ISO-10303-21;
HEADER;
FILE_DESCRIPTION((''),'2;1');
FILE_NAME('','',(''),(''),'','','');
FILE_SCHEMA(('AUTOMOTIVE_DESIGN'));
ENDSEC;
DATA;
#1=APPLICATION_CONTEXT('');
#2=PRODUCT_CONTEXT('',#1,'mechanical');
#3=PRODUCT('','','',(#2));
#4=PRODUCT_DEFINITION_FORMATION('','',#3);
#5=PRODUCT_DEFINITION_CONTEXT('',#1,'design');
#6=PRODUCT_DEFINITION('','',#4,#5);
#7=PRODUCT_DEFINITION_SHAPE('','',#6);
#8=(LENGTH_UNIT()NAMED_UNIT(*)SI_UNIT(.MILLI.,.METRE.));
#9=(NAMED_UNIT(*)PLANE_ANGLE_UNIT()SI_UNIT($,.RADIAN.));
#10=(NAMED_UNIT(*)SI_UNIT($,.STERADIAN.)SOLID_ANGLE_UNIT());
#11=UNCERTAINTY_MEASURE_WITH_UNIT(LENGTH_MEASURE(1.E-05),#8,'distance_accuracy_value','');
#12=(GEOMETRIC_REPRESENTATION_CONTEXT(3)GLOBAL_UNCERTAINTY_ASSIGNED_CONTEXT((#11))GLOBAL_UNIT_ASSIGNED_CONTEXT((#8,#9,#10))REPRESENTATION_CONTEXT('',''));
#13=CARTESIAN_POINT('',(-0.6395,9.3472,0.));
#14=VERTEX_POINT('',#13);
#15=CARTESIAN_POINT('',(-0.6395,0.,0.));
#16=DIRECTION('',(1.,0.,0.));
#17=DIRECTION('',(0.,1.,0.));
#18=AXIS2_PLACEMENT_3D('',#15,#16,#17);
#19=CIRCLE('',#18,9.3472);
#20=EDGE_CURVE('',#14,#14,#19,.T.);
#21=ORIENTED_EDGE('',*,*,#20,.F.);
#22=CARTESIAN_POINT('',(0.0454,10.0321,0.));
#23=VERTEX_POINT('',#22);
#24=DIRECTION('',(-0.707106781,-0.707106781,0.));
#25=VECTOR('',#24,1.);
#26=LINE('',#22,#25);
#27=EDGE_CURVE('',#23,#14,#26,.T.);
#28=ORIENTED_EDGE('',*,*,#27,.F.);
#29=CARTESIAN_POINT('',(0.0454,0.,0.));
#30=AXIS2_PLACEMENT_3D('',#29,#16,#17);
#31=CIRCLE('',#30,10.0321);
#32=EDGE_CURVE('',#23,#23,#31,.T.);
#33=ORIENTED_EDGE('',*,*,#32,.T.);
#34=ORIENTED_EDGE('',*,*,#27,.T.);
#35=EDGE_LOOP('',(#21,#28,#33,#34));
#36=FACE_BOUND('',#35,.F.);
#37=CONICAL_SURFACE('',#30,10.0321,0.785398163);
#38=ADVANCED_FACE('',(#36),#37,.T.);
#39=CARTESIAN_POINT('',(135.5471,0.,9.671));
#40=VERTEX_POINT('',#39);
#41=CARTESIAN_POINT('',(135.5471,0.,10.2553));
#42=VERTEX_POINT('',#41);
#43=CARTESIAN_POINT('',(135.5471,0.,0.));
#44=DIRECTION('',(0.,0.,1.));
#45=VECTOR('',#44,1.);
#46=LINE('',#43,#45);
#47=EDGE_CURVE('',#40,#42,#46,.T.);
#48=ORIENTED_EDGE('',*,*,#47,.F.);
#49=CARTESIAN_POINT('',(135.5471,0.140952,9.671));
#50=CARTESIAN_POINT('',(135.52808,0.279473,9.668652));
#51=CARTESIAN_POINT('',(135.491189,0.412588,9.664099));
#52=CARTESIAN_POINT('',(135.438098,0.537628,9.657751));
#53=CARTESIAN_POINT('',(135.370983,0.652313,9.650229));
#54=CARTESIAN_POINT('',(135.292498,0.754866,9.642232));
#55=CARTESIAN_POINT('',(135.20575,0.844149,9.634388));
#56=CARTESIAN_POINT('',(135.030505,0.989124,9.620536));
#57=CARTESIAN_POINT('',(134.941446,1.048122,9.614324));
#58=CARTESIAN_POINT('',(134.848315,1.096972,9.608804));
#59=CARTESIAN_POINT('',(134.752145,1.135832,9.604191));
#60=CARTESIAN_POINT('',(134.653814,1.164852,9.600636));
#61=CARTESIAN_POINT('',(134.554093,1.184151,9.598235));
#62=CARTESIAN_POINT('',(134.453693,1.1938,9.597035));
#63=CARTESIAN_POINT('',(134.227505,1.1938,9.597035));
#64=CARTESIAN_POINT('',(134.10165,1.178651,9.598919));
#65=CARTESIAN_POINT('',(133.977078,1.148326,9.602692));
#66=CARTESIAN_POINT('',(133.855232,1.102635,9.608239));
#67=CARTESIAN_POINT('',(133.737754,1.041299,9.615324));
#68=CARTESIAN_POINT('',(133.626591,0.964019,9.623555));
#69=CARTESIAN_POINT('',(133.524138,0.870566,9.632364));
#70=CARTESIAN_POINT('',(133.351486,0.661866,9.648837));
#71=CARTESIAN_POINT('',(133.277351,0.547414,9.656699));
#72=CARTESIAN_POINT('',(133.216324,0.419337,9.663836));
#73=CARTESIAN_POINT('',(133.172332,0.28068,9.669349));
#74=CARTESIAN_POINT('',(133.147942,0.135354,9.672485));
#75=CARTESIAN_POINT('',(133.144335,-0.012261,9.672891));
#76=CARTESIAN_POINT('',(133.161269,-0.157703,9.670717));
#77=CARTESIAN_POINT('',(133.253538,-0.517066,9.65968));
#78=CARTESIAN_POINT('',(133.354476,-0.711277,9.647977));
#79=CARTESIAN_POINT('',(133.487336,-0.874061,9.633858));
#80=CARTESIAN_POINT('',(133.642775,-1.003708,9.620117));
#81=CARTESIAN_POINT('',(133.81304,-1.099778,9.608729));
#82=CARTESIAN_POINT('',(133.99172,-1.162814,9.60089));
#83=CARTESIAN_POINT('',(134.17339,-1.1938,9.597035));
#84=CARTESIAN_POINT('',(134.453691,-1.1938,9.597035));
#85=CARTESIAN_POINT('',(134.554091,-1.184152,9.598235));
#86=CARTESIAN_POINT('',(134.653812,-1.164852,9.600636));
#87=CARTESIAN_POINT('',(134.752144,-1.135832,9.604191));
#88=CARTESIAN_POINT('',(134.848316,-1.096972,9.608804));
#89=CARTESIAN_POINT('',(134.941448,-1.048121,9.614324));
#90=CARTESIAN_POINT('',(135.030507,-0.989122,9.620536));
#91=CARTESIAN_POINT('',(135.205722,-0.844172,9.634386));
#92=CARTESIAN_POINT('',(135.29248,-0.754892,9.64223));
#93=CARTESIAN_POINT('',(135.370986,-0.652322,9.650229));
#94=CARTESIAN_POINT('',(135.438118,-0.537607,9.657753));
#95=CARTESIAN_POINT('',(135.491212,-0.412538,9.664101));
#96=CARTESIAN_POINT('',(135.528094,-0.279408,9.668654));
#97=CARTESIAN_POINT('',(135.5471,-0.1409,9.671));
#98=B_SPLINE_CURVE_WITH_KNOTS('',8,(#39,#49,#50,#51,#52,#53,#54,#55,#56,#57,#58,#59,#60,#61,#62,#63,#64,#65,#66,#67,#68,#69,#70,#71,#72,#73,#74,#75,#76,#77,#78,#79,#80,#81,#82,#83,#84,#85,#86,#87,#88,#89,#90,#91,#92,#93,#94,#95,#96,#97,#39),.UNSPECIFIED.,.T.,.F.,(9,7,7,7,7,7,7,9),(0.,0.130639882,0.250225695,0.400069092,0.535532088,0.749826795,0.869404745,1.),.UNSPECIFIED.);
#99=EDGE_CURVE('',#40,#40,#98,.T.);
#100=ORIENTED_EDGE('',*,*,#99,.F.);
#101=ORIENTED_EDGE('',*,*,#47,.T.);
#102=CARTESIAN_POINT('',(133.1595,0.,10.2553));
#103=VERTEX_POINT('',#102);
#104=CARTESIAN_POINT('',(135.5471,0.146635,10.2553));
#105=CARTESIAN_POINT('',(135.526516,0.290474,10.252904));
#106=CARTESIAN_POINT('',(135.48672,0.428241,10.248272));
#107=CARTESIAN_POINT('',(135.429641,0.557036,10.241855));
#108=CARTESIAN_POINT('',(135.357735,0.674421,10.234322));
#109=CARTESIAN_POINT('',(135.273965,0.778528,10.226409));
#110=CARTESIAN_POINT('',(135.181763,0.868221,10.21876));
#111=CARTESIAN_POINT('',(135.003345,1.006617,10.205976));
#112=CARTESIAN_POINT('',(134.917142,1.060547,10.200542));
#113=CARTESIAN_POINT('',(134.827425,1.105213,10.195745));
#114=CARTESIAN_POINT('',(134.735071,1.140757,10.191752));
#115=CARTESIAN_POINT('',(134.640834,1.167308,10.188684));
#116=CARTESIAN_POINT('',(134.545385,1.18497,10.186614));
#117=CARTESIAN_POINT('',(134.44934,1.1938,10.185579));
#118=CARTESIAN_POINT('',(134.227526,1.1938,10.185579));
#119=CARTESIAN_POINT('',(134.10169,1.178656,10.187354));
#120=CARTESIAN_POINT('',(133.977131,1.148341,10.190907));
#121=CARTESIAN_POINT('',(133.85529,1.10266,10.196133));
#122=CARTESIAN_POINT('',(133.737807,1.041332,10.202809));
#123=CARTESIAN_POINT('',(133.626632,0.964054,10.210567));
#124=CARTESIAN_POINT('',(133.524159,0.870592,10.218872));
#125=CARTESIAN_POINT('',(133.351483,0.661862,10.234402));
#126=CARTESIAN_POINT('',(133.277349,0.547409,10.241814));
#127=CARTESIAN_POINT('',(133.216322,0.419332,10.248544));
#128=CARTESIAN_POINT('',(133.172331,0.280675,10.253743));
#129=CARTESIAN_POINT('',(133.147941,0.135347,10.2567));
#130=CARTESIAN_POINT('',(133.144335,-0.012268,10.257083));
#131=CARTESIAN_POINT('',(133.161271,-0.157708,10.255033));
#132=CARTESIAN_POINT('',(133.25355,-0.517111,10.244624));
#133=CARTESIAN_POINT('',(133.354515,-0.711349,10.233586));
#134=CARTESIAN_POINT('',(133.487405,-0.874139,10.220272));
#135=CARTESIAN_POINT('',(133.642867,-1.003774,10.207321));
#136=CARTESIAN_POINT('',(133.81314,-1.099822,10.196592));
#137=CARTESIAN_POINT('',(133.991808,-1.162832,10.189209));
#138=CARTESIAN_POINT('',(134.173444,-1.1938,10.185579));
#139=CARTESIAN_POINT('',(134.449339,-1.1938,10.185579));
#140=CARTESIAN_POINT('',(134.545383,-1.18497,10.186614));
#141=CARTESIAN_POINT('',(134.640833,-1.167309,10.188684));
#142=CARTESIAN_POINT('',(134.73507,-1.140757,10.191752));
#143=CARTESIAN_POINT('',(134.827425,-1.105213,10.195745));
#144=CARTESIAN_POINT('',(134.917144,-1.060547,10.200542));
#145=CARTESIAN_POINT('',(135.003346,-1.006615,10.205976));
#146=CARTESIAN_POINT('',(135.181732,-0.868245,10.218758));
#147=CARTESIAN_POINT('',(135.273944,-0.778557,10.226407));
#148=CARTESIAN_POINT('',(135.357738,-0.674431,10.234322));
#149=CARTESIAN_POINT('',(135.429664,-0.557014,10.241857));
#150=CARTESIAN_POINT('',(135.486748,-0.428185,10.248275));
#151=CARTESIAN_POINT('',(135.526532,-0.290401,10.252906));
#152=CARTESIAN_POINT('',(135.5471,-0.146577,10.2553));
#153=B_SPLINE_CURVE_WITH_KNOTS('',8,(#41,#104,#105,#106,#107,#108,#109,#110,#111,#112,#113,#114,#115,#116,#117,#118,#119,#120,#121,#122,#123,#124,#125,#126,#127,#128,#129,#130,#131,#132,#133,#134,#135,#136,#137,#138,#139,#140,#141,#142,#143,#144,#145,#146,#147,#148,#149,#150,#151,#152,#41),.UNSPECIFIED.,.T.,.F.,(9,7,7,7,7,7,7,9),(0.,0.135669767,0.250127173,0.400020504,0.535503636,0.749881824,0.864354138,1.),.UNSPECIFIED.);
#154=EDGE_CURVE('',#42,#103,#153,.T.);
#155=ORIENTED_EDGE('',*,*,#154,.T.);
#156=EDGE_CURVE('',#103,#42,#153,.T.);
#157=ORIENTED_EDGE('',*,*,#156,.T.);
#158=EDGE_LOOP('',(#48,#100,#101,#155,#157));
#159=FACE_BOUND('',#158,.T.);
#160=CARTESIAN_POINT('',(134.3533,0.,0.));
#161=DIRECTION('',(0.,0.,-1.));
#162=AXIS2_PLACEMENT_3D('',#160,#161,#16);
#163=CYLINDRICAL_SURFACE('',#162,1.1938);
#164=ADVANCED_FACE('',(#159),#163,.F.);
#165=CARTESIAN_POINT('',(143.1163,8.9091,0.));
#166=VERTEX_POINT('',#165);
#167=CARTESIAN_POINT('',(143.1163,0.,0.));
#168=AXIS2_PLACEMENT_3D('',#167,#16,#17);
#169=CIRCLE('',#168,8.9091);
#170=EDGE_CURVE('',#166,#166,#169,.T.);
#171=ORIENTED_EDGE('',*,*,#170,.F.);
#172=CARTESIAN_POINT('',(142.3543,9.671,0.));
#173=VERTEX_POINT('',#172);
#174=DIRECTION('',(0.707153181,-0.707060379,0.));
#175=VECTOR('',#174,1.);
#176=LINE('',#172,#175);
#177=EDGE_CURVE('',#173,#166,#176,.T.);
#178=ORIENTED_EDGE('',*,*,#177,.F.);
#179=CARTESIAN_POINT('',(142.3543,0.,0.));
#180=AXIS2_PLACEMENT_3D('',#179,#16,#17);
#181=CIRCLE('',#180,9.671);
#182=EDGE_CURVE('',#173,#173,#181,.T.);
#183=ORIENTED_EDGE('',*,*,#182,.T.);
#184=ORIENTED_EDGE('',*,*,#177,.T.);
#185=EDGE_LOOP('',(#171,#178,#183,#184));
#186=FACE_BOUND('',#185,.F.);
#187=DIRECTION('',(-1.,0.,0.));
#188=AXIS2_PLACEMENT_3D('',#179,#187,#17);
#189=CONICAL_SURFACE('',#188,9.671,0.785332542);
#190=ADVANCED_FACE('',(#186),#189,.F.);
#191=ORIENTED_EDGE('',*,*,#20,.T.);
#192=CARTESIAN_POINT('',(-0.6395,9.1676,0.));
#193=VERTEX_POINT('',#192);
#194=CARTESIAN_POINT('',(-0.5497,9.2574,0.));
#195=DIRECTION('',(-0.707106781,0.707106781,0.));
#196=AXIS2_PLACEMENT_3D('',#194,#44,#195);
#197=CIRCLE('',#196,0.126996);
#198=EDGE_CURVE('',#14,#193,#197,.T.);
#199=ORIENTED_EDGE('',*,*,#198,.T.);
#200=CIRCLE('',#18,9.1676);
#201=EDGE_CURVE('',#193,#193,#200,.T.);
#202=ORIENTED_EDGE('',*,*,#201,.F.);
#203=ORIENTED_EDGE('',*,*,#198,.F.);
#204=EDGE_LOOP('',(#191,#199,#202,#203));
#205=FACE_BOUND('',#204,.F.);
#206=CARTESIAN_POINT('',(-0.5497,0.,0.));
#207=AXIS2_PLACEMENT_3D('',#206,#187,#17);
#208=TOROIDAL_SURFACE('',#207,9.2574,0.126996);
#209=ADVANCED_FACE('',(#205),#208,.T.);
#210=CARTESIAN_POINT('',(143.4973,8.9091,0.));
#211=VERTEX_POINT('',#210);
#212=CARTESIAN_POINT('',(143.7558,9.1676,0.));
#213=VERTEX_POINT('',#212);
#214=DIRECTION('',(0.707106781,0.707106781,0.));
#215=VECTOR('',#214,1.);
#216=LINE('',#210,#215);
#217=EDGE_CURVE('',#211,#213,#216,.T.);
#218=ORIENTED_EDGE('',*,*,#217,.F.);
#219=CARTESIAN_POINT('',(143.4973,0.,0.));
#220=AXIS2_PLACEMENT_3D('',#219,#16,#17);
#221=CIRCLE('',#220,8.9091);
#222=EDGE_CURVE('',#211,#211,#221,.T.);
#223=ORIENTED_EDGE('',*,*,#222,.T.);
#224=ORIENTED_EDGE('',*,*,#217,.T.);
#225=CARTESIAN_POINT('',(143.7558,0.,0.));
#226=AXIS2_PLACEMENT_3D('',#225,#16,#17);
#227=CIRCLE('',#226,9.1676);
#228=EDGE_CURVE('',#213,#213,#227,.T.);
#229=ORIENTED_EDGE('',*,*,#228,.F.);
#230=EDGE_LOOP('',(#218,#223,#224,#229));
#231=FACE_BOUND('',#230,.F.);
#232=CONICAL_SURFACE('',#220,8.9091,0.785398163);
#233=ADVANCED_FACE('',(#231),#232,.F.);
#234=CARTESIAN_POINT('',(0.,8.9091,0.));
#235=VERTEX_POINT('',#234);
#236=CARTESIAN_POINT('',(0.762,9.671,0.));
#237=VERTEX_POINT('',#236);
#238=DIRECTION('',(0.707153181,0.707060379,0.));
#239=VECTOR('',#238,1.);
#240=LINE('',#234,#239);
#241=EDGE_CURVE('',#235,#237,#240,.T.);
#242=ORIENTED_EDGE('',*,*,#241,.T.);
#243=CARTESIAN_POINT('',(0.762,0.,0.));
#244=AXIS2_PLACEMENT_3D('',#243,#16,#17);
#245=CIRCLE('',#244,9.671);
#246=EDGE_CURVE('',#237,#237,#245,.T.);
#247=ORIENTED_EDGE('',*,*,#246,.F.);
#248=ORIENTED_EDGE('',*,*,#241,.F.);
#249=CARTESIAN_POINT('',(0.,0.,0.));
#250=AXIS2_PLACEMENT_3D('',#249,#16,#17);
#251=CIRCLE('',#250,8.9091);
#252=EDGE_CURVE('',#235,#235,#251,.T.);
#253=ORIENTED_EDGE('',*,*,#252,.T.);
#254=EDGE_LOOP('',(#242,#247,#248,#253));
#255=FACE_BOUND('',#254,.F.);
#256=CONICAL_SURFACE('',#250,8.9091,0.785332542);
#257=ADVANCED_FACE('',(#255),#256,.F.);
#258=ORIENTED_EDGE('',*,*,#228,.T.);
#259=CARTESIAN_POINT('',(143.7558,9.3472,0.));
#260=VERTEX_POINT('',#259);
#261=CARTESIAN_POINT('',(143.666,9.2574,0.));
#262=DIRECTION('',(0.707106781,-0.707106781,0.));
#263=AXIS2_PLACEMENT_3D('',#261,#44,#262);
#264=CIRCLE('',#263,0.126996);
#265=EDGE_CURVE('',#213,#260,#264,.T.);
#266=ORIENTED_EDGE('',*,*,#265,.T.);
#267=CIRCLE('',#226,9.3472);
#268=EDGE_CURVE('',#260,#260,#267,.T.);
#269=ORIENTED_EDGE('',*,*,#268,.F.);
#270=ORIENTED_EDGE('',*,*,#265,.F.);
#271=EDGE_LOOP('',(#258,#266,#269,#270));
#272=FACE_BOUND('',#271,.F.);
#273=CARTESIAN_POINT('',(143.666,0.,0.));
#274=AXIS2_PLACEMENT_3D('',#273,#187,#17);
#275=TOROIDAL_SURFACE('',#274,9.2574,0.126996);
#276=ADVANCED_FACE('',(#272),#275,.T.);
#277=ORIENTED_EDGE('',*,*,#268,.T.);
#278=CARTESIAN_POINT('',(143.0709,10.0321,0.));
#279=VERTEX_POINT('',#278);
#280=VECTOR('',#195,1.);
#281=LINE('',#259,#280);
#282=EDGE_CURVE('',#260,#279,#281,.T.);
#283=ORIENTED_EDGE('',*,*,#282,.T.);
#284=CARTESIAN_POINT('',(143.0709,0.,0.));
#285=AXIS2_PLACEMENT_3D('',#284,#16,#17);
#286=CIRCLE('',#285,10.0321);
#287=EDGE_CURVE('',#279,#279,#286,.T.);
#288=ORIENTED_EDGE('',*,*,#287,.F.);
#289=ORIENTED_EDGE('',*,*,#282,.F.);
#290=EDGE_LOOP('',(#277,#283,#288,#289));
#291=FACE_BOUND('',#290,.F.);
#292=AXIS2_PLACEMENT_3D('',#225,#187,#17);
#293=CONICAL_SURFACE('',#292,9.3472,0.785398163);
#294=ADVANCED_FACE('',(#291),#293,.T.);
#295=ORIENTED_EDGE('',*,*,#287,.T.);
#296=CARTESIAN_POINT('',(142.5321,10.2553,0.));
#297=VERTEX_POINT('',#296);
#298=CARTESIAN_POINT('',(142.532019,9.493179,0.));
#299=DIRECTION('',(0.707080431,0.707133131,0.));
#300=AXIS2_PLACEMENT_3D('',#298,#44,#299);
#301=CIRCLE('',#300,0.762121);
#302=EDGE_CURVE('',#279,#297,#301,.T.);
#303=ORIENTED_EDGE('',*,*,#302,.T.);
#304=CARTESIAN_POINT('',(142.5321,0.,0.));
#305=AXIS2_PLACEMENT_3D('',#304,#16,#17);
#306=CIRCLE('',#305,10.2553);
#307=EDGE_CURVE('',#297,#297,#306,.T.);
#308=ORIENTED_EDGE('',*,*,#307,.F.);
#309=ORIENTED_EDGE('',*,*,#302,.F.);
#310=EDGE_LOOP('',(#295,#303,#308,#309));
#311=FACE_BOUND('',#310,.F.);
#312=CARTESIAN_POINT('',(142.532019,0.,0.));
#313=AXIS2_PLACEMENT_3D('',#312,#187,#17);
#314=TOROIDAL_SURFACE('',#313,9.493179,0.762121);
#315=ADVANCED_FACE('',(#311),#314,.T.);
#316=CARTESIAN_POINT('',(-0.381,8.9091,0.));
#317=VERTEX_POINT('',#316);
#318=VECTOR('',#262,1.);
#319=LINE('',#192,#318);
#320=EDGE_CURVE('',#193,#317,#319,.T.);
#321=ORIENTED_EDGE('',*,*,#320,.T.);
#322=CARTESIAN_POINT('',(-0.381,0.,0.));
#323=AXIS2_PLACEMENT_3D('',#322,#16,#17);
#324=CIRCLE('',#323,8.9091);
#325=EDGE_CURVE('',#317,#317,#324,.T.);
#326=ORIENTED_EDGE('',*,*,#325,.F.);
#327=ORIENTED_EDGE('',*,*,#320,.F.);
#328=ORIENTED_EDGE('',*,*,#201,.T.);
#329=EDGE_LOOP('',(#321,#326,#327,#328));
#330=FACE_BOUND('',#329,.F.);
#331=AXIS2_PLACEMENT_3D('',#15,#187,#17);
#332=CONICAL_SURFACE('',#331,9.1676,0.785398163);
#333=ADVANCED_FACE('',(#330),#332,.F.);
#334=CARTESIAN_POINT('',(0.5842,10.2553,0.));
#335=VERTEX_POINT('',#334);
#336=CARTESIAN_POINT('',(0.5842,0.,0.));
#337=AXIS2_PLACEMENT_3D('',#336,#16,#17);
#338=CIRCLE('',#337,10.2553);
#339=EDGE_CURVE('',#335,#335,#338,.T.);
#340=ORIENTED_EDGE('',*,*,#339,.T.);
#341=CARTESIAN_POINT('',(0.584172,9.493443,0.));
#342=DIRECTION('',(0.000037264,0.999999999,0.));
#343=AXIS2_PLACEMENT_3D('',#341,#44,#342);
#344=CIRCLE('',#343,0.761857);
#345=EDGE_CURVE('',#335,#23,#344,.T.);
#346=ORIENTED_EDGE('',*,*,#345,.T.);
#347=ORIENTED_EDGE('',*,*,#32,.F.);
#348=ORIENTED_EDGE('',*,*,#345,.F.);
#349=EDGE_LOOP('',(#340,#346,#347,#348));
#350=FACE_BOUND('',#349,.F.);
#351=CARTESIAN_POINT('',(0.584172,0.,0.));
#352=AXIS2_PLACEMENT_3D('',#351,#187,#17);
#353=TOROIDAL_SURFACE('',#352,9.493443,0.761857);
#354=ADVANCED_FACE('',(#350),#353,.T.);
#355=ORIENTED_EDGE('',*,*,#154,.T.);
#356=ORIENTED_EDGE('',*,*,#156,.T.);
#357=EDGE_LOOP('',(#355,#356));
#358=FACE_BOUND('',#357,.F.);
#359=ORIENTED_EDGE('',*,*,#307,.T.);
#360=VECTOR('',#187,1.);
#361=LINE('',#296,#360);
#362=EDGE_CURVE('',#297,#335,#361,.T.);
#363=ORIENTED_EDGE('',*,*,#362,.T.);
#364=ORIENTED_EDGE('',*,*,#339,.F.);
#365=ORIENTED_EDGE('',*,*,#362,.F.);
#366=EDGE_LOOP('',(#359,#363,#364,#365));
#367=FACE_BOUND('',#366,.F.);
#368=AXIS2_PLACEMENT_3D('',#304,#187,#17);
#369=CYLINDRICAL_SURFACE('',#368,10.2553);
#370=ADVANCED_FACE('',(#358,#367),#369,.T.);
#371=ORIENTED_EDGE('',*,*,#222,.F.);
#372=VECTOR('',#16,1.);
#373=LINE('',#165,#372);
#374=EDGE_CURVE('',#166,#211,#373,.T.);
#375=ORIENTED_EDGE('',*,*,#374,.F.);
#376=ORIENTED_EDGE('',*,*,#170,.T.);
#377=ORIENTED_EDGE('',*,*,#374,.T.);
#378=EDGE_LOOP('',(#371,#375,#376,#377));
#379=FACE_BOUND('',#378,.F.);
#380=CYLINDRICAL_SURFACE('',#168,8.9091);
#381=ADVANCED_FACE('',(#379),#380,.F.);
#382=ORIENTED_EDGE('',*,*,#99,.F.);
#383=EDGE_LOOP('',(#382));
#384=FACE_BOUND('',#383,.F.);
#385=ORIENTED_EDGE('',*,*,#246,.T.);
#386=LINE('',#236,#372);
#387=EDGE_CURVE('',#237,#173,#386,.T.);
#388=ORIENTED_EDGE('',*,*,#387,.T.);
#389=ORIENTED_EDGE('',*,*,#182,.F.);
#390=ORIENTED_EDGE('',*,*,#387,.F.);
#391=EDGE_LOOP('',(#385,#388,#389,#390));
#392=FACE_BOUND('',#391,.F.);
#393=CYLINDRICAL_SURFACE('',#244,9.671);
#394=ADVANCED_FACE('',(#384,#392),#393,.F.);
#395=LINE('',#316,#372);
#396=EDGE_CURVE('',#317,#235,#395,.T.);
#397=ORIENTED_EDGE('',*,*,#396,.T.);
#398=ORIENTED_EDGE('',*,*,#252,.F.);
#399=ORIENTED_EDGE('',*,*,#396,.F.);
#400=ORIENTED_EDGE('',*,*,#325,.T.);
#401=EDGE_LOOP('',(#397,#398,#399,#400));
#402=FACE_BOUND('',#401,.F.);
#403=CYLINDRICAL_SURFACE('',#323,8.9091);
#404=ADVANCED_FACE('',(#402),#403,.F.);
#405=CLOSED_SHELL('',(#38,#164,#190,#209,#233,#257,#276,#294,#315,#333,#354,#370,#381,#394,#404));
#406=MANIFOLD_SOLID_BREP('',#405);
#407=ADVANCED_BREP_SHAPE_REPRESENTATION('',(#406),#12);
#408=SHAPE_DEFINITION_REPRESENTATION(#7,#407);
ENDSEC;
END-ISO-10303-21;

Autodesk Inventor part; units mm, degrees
sketch "Sketch_1" plane through (0, 0, 0) normal (0, 0, 1) x (1, 0, 0)
  line L0 (143.1163, 0) -> (0, 0)
  arc A0 (-0.6395, 9.3472) -> (-0.6395, 9.1676) centre (-0.5497, 9.2574) ccw
  line L1 (-0.6395, 9.1676) -> (-0.381, 8.9091)
  line L2 (-0.381, 8.9091) -> (0, 8.9091)
  line L3 (0, 8.9091) -> (0.762, 9.671)
  line L4 (0.762, 9.671) -> (142.3543, 9.671)
  line L5 (142.3543, 9.671) -> (143.1163, 8.9091)
  line L6 (143.1163, 8.9091) -> (143.4973, 8.9091)
  line L7 (143.4973, 8.9091) -> (143.7558, 9.1676)
  arc A1 (143.7558, 9.1676) -> (143.7558, 9.3472) centre (143.666, 9.2574) ccw
  line L8 (143.7558, 9.3472) -> (143.0709, 10.0321)
  arc A2 (143.0709, 10.0321) -> (142.5321, 10.2553) centre (142.5321, 9.4933) ccw
  line L9 (142.5321, 10.2553) -> (0.5842, 10.2553)
  arc A3 (0.5842, 10.2553) -> (0.0454, 10.0321) centre (0.5842, 9.4933) ccw
  line L10 (0.0454, 10.0321) -> (-0.6395, 9.3472)
revolve "Revolution1" add sketch "Sketch_1" angle 360 about axis through (143.1163, 0, 0) along (1, 0, 0)
sketch "Sketch_7" plane through (0, 0, 0) normal (0, 0, 1) x (1, 0, 0)
  circle A0 centre (134.3533, 0) radius 1.1938
extrude "Extrusion1" cut sketch "Sketch_7" along normal blind 10.2553
ref_plane "cp1_XY" through (71.5582, 10.2553, 0) normal (1, 0, 0) x (0, 0, -1)
ref_plane "cp1_YZ" through (71.5582, 10.2553, 0) normal (0, 0, -1) x (0, 1, 0)
ref_plane "cp1_ZX" through (71.5582, 10.2553, 0) normal (0, 1, 0) x (1, 0, 0)
ref_plane "cp2_XY" through (71.5582, 0, -10.2553) normal (1, 0, 0) x (0, 0, -1)
ref_plane "cp2_YZ" through (71.5582, 0, -10.2553) normal (0, 0, -1) x (0, 1, 0)
ref_plane "cp2_ZX" through (71.5582, 0, -10.2553) normal (0, 1, 0) x (1, 0, 0)
ref_plane "cp3_XY" through (71.5582, -10.2553, 0) normal (1, 0, 0) x (0, 0, -1)
ref_plane "cp3_YZ" through (71.5582, -10.2553, 0) normal (0, 0, -1) x (0, 1, 0)
ref_plane "cp3_ZX" through (71.5582, -10.2553, 0) normal (0, 1, 0) x (1, 0, 0)
ref_plane "cp4_XY" through (71.5582, 0, 10.2553) normal (1, 0, 0) x (0, 0, -1)
ref_plane "cp4_YZ" through (71.5582, 0, 10.2553) normal (0, 0, -1) x (0, 1, 0)
ref_plane "cp4_ZX" through (71.5582, 0, 10.2553) normal (0, 1, 0) x (1, 0, 0)
ref_plane "tube_front_XY" through (0, 0, 0) normal (1, 0, 0) x (0, 0, -1)
ref_plane "tube_front_YZ" through (0, 0, 0) normal (0, 0, -1) x (0, 1, 0)
ref_plane "tube_front_ZX" through (0, 0, 0) normal (0, 1, 0) x (1, 0, 0)
ref_plane "tube_rear_XY" through (143.1163, 0, 0) normal (1, 0, 0) x (0, 0, -1)
ref_plane "tube_rear_YZ" through (143.1163, 0, 0) normal (0, 0, -1) x (0, 1, 0)
ref_plane "tube_rear_ZX" through (143.1163, 0, 0) normal (0, 1, 0) x (1, 0, 0)
properties part number "04R-5.63453C"
